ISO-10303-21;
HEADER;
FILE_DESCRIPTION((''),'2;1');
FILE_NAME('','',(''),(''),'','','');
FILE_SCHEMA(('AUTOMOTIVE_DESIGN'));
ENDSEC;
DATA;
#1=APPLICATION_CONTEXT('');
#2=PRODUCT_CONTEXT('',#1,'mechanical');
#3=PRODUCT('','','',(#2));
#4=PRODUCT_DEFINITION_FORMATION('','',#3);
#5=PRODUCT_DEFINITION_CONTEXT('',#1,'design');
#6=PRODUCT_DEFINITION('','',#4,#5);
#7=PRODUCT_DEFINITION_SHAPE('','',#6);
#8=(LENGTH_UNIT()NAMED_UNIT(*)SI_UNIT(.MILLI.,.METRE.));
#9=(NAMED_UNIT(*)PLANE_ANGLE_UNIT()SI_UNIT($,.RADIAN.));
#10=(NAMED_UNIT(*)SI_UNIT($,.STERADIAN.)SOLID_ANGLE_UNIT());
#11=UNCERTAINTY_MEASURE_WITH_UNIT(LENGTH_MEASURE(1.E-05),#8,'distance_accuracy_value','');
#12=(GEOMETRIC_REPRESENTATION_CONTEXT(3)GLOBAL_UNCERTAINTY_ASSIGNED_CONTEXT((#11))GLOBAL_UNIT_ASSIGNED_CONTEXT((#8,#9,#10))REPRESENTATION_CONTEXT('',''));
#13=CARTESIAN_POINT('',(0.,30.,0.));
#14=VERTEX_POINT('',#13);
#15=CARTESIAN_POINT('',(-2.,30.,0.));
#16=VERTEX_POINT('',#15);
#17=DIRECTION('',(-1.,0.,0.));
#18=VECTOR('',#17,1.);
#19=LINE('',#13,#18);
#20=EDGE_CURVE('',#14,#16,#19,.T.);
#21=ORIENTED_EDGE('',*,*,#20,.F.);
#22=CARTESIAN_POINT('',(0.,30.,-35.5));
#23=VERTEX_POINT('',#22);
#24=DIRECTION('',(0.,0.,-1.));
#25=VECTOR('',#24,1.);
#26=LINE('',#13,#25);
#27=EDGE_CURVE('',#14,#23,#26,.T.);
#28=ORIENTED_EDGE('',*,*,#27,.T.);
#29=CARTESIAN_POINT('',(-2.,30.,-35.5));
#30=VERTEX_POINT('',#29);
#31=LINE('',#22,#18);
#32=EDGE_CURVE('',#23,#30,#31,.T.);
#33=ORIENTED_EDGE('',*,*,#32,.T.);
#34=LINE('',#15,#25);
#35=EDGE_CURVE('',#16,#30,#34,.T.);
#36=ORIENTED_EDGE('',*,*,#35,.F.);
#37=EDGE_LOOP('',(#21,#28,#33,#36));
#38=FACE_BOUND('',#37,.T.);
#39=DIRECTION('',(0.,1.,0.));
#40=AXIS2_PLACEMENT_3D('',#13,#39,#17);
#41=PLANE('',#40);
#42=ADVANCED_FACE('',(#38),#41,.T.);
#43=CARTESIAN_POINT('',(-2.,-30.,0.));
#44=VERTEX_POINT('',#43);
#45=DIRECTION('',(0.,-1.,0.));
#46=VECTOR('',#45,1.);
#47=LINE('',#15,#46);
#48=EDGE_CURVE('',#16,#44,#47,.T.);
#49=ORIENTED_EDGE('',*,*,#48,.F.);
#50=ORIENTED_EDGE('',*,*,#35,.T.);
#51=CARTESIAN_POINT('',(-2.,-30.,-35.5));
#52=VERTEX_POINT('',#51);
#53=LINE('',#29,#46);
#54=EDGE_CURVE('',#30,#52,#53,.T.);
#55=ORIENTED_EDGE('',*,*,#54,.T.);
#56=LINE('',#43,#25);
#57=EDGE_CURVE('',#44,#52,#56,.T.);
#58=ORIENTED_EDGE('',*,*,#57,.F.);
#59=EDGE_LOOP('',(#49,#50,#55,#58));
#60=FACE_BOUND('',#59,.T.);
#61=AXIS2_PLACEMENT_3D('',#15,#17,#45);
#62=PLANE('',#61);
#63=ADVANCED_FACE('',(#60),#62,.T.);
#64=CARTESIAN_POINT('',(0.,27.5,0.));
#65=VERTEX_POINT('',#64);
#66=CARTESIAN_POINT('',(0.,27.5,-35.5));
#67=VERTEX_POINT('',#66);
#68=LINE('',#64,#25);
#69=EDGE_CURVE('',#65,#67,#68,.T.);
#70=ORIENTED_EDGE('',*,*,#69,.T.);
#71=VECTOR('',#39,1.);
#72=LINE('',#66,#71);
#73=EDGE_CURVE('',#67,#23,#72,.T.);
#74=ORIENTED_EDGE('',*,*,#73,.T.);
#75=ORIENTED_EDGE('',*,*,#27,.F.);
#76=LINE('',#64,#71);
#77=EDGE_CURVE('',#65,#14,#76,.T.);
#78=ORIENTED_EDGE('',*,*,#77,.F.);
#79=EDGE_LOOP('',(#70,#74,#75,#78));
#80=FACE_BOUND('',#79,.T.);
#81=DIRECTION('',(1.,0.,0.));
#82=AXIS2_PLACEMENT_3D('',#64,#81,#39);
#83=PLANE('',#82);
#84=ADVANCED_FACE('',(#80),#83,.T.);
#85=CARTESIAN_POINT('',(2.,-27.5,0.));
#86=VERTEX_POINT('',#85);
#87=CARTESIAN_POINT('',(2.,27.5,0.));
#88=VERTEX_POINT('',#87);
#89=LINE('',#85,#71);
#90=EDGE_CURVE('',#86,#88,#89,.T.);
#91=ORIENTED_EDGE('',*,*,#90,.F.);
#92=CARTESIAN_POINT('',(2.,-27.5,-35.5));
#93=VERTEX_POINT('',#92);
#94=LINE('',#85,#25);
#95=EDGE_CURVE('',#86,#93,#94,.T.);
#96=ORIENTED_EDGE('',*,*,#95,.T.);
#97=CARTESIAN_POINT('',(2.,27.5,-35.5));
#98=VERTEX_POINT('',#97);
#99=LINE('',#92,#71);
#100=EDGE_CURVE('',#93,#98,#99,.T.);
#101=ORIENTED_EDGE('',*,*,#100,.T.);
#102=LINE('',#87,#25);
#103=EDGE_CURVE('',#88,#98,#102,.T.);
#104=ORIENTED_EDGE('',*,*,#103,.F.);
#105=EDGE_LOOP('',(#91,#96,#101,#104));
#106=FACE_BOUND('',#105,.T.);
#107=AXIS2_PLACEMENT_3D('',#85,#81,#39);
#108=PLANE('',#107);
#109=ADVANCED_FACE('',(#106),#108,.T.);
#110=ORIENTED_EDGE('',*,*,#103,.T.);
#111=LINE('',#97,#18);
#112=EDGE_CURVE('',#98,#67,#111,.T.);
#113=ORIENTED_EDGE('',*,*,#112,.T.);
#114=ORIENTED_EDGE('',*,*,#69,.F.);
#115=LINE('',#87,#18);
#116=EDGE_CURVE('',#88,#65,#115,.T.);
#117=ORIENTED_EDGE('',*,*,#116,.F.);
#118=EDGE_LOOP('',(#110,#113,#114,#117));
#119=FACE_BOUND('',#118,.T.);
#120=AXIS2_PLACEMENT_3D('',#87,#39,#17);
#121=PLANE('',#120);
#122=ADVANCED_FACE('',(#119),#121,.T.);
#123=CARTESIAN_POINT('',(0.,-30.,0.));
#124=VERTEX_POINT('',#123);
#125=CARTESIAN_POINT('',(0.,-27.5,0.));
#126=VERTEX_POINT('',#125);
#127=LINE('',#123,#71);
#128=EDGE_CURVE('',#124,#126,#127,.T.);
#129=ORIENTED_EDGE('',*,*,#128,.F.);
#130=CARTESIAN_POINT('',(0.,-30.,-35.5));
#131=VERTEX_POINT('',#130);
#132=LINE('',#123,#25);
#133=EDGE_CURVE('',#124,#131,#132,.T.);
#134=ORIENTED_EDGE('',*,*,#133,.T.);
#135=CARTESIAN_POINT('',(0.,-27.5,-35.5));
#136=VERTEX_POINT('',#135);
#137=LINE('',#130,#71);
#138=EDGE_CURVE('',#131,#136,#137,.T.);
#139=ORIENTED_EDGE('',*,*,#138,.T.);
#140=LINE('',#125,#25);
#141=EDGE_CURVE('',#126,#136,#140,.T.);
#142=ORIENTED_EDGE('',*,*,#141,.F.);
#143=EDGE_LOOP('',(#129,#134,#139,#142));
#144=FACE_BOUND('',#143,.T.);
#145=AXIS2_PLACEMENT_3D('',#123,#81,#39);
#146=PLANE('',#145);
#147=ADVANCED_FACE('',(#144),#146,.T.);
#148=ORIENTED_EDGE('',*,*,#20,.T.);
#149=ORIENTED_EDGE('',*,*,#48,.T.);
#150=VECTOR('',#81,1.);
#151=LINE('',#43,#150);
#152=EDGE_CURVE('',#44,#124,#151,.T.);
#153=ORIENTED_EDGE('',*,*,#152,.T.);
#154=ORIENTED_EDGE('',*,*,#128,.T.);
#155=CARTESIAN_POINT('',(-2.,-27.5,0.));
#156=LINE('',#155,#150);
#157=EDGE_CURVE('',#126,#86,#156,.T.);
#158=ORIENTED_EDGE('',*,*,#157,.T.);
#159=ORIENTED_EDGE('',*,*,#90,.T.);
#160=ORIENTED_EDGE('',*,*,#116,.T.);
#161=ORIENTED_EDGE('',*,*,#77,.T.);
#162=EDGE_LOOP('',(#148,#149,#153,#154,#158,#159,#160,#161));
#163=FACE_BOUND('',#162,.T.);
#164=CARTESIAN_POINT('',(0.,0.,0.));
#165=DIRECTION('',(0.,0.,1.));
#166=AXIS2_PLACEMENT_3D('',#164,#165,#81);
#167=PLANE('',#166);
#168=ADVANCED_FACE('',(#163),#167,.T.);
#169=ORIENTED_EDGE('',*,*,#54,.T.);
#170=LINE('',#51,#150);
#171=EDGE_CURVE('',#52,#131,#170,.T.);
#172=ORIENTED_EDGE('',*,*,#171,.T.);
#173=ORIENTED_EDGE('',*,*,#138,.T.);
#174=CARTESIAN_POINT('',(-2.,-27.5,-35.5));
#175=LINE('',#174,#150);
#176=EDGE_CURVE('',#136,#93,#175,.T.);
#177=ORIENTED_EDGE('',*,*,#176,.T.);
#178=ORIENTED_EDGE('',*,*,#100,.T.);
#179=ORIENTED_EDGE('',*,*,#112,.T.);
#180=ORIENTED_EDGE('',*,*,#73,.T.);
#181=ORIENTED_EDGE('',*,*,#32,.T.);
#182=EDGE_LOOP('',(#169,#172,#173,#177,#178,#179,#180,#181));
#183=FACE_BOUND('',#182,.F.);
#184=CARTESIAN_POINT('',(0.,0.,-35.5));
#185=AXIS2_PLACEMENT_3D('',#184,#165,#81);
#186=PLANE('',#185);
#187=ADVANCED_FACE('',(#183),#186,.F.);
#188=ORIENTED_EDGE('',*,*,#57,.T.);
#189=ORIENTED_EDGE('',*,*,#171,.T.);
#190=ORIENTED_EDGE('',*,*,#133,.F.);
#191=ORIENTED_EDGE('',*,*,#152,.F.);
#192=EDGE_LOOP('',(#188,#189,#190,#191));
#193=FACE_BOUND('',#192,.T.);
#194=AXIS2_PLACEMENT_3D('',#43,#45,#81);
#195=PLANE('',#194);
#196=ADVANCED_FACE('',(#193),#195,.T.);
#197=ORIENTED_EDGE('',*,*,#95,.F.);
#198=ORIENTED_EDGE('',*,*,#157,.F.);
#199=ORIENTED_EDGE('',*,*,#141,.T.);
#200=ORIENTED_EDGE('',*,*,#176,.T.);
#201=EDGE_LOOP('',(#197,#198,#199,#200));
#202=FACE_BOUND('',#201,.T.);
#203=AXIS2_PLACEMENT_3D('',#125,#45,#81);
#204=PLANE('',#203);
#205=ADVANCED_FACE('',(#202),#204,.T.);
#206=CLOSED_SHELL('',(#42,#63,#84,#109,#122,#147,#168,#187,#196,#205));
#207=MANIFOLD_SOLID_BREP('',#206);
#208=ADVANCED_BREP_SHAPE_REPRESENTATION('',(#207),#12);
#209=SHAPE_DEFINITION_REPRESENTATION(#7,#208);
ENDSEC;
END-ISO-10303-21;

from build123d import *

# Parameters (mm, degrees)
F1_DEPTH = 35.5


with BuildPart() as f1:
    # F0 (on Top) → F1 (new body)
    with BuildSketch(Plane.XY):
        Polygon((0, -27.5), (2, -27.5), (2, 27.5), (0, 27.5), (-2, 27.5), (-2, -27.5), align=None)
        Polygon((-2, 27.5), (0, 27.5), (0, 28.75), (0, 30), (-2, 30), align=None)
        Polygon((0, -28.75), (0, -27.5), (-2, -27.5), (-2, -30), (0, -30), align=None)
    extrude(amount=-F1_DEPTH)


solid = f1.part
